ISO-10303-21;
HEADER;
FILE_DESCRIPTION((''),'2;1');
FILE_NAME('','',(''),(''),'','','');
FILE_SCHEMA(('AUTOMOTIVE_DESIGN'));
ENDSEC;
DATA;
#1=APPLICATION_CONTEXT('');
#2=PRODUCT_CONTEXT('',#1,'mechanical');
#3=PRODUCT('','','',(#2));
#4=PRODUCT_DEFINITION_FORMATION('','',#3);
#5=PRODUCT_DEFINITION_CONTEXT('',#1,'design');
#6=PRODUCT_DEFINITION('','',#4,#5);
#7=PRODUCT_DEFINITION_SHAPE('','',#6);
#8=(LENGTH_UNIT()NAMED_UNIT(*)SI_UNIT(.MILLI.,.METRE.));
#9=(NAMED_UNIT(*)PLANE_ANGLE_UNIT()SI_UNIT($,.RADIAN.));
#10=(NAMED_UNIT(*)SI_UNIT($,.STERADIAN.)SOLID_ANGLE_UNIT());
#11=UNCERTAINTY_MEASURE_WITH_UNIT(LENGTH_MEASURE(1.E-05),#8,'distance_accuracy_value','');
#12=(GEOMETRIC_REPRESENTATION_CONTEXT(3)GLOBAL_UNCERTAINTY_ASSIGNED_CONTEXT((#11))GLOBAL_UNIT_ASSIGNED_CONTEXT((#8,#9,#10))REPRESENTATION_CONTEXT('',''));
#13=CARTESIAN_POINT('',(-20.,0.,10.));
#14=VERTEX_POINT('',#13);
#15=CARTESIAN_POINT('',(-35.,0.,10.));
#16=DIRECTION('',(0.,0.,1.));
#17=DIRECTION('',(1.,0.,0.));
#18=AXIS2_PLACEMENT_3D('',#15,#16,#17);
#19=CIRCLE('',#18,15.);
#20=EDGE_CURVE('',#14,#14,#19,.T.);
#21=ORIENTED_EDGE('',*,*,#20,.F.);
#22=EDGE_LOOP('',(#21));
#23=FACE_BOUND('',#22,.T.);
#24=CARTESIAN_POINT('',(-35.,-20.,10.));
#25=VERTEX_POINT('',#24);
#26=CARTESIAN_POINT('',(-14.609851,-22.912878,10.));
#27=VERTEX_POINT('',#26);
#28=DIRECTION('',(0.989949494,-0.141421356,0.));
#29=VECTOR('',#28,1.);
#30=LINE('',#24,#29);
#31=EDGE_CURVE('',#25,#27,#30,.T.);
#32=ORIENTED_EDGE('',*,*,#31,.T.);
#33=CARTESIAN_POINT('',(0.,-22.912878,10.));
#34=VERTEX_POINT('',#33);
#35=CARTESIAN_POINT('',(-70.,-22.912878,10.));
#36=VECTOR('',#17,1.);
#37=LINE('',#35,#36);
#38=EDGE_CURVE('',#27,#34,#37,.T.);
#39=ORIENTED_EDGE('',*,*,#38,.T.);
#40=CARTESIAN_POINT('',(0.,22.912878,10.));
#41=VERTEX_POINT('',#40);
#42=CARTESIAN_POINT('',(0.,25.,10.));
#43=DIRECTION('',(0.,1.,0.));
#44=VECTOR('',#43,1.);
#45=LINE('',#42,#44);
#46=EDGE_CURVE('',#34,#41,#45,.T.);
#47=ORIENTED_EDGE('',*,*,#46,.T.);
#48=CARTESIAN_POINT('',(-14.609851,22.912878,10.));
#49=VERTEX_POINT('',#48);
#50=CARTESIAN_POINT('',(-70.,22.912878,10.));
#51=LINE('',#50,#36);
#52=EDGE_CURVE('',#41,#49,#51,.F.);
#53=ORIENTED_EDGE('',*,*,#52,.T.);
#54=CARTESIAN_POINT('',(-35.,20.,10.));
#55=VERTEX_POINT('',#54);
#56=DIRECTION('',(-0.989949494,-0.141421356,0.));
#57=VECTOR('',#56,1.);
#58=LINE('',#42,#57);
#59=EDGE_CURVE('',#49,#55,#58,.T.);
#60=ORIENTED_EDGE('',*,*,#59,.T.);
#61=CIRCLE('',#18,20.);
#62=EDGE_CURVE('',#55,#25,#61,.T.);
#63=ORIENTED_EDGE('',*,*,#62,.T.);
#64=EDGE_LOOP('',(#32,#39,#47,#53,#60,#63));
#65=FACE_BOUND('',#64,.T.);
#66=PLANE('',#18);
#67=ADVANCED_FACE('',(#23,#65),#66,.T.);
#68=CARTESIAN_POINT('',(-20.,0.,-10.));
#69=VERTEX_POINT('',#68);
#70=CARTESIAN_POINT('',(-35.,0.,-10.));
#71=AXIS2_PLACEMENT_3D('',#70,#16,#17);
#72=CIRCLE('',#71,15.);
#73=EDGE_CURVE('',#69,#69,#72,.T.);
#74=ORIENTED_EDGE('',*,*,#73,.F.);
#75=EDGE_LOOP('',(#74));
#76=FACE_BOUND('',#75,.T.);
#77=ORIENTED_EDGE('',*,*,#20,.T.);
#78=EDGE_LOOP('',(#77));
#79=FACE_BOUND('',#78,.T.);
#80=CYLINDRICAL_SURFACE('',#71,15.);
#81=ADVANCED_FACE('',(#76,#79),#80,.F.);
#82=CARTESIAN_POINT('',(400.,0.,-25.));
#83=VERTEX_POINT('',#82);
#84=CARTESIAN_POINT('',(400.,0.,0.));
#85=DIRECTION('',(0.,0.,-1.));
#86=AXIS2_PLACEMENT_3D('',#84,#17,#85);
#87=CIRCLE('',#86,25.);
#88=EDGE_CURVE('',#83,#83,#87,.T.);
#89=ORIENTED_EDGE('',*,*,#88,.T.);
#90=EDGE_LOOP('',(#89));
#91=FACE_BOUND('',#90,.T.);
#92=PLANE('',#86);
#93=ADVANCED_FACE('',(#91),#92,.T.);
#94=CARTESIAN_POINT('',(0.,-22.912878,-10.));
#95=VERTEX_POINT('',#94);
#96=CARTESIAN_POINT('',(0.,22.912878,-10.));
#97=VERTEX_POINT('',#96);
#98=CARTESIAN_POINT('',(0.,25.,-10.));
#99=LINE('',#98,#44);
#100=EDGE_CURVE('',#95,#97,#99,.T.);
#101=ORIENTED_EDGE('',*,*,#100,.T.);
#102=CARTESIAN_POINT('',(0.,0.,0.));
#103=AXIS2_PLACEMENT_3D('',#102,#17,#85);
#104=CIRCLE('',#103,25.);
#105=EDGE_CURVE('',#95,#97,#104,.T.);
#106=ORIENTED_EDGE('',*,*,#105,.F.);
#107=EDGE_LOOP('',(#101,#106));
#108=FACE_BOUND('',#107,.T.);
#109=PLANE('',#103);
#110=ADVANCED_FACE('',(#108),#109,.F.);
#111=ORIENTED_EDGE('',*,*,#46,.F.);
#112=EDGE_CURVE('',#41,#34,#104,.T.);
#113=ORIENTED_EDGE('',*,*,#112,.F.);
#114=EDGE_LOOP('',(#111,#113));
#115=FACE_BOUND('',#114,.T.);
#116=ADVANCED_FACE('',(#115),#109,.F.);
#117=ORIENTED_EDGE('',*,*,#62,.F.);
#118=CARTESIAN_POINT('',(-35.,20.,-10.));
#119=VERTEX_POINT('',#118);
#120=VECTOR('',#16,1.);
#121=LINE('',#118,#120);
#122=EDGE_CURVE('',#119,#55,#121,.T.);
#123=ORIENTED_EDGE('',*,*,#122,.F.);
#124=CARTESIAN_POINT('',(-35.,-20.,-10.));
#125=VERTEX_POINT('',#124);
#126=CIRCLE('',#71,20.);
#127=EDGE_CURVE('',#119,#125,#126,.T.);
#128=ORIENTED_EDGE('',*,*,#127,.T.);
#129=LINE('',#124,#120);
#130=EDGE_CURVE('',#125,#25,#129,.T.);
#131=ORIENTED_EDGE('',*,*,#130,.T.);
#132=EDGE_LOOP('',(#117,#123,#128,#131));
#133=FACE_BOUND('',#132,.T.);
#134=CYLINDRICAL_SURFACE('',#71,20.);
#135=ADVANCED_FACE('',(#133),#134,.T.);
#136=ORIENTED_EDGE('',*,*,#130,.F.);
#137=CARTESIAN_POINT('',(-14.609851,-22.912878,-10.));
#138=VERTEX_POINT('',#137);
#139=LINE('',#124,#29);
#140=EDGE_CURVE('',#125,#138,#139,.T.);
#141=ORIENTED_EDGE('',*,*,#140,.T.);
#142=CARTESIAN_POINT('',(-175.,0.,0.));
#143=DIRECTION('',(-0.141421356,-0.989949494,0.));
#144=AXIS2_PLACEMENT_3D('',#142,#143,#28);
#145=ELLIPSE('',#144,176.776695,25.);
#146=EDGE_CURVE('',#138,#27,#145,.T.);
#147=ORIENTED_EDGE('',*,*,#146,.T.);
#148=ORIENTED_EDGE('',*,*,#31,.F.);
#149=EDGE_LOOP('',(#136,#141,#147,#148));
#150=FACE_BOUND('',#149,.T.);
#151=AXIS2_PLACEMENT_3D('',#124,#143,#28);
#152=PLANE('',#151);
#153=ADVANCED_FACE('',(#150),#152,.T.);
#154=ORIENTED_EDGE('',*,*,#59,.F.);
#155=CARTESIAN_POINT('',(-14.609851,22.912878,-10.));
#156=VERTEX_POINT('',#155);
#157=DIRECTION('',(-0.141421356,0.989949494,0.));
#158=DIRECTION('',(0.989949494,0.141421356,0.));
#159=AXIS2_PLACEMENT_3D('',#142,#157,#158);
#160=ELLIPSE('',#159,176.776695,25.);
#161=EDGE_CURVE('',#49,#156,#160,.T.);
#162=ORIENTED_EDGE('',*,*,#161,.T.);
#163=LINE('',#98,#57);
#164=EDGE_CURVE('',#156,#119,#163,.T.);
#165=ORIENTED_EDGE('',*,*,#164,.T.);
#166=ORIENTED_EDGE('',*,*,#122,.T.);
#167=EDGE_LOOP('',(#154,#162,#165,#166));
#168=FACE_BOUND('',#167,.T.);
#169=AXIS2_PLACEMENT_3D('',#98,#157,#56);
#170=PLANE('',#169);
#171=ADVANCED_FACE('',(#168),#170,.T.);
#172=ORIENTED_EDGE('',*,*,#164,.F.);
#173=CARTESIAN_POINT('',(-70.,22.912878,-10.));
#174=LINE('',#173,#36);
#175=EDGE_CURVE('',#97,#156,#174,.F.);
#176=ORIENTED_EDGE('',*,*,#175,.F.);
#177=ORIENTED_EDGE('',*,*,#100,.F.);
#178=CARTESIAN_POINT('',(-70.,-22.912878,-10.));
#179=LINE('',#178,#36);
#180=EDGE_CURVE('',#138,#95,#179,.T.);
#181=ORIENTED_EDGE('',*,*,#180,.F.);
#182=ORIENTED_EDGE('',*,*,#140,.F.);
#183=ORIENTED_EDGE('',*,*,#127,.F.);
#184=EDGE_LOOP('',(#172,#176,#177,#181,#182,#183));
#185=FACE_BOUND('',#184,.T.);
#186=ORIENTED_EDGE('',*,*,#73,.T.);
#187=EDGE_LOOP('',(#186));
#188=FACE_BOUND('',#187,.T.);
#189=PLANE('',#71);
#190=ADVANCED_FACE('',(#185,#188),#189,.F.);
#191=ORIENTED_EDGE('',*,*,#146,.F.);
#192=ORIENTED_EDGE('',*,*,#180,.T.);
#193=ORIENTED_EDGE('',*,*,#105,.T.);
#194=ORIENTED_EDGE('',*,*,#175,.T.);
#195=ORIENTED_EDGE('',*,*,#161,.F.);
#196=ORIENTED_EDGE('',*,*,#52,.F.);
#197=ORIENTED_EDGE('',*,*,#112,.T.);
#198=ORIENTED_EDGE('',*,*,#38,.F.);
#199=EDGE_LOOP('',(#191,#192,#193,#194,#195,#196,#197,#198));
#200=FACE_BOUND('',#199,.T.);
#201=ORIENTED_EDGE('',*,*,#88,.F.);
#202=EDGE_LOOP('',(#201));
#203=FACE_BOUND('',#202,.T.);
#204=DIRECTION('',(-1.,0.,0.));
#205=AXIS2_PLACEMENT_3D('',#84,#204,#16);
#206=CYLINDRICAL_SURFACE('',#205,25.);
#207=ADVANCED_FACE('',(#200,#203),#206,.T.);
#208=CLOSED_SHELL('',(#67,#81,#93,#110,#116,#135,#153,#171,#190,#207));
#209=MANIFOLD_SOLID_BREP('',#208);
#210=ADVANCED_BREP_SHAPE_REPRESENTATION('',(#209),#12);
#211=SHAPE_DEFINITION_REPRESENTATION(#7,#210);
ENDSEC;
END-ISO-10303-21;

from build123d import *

# Parameters (mm, degrees)
SKETCH1_R                = 25
BOSS_EXTRUDE1_DEPTH      = 400
BOSS_EXTRUDE2_DEPTH      = 10
BOSS_EXTRUDE2_DEPTH_BACK = 10
SKETCH2_R                = 15
CUT_EXTRUDE1_START       = -70
SKETCH3_R                = 32.241288232
SKETCH3_R_2              = 25
CUT_EXTRUDE1_DEPTH       = 70


with BuildPart() as part:
    # Sketch1 → Boss-Extrude1 (new body)
    with BuildSketch(Plane(origin=(0, 0, 0), x_dir=(0, 0, -1), z_dir=(1, 0, 0))):
        Circle(SKETCH1_R)
    extrude(amount=BOSS_EXTRUDE1_DEPTH)

    # Sketch2 → Boss-Extrude2 (add, two sides: drawn at the far end of the back side and taken through both)
    with BuildSketch(Plane.XY.offset(-BOSS_EXTRUDE2_DEPTH_BACK)):
        with BuildLine():
            Line((0, 25), (0, -25))
            Line((0, -25), (-35, -20))
            ThreePointArc((-35, -20), (-55, 0), (-35, 20))
            Line((-35, 20), (0, 25))
        make_face()
        with Locations((-35, 0)):
            Circle(SKETCH2_R, mode=Mode.SUBTRACT)
    extrude(amount=BOSS_EXTRUDE2_DEPTH + BOSS_EXTRUDE2_DEPTH_BACK)

    # Sketch3 → Cut-Extrude1 (cut)
    with BuildSketch(Plane(origin=(0, 0, 0), x_dir=(0, 0, -1), z_dir=(1, 0, 0)).offset(CUT_EXTRUDE1_START)):
        Circle(SKETCH3_R)
        Circle(SKETCH3_R_2, mode=Mode.SUBTRACT)
    extrude(amount=CUT_EXTRUDE1_DEPTH, mode=Mode.SUBTRACT)


solid = part.part
